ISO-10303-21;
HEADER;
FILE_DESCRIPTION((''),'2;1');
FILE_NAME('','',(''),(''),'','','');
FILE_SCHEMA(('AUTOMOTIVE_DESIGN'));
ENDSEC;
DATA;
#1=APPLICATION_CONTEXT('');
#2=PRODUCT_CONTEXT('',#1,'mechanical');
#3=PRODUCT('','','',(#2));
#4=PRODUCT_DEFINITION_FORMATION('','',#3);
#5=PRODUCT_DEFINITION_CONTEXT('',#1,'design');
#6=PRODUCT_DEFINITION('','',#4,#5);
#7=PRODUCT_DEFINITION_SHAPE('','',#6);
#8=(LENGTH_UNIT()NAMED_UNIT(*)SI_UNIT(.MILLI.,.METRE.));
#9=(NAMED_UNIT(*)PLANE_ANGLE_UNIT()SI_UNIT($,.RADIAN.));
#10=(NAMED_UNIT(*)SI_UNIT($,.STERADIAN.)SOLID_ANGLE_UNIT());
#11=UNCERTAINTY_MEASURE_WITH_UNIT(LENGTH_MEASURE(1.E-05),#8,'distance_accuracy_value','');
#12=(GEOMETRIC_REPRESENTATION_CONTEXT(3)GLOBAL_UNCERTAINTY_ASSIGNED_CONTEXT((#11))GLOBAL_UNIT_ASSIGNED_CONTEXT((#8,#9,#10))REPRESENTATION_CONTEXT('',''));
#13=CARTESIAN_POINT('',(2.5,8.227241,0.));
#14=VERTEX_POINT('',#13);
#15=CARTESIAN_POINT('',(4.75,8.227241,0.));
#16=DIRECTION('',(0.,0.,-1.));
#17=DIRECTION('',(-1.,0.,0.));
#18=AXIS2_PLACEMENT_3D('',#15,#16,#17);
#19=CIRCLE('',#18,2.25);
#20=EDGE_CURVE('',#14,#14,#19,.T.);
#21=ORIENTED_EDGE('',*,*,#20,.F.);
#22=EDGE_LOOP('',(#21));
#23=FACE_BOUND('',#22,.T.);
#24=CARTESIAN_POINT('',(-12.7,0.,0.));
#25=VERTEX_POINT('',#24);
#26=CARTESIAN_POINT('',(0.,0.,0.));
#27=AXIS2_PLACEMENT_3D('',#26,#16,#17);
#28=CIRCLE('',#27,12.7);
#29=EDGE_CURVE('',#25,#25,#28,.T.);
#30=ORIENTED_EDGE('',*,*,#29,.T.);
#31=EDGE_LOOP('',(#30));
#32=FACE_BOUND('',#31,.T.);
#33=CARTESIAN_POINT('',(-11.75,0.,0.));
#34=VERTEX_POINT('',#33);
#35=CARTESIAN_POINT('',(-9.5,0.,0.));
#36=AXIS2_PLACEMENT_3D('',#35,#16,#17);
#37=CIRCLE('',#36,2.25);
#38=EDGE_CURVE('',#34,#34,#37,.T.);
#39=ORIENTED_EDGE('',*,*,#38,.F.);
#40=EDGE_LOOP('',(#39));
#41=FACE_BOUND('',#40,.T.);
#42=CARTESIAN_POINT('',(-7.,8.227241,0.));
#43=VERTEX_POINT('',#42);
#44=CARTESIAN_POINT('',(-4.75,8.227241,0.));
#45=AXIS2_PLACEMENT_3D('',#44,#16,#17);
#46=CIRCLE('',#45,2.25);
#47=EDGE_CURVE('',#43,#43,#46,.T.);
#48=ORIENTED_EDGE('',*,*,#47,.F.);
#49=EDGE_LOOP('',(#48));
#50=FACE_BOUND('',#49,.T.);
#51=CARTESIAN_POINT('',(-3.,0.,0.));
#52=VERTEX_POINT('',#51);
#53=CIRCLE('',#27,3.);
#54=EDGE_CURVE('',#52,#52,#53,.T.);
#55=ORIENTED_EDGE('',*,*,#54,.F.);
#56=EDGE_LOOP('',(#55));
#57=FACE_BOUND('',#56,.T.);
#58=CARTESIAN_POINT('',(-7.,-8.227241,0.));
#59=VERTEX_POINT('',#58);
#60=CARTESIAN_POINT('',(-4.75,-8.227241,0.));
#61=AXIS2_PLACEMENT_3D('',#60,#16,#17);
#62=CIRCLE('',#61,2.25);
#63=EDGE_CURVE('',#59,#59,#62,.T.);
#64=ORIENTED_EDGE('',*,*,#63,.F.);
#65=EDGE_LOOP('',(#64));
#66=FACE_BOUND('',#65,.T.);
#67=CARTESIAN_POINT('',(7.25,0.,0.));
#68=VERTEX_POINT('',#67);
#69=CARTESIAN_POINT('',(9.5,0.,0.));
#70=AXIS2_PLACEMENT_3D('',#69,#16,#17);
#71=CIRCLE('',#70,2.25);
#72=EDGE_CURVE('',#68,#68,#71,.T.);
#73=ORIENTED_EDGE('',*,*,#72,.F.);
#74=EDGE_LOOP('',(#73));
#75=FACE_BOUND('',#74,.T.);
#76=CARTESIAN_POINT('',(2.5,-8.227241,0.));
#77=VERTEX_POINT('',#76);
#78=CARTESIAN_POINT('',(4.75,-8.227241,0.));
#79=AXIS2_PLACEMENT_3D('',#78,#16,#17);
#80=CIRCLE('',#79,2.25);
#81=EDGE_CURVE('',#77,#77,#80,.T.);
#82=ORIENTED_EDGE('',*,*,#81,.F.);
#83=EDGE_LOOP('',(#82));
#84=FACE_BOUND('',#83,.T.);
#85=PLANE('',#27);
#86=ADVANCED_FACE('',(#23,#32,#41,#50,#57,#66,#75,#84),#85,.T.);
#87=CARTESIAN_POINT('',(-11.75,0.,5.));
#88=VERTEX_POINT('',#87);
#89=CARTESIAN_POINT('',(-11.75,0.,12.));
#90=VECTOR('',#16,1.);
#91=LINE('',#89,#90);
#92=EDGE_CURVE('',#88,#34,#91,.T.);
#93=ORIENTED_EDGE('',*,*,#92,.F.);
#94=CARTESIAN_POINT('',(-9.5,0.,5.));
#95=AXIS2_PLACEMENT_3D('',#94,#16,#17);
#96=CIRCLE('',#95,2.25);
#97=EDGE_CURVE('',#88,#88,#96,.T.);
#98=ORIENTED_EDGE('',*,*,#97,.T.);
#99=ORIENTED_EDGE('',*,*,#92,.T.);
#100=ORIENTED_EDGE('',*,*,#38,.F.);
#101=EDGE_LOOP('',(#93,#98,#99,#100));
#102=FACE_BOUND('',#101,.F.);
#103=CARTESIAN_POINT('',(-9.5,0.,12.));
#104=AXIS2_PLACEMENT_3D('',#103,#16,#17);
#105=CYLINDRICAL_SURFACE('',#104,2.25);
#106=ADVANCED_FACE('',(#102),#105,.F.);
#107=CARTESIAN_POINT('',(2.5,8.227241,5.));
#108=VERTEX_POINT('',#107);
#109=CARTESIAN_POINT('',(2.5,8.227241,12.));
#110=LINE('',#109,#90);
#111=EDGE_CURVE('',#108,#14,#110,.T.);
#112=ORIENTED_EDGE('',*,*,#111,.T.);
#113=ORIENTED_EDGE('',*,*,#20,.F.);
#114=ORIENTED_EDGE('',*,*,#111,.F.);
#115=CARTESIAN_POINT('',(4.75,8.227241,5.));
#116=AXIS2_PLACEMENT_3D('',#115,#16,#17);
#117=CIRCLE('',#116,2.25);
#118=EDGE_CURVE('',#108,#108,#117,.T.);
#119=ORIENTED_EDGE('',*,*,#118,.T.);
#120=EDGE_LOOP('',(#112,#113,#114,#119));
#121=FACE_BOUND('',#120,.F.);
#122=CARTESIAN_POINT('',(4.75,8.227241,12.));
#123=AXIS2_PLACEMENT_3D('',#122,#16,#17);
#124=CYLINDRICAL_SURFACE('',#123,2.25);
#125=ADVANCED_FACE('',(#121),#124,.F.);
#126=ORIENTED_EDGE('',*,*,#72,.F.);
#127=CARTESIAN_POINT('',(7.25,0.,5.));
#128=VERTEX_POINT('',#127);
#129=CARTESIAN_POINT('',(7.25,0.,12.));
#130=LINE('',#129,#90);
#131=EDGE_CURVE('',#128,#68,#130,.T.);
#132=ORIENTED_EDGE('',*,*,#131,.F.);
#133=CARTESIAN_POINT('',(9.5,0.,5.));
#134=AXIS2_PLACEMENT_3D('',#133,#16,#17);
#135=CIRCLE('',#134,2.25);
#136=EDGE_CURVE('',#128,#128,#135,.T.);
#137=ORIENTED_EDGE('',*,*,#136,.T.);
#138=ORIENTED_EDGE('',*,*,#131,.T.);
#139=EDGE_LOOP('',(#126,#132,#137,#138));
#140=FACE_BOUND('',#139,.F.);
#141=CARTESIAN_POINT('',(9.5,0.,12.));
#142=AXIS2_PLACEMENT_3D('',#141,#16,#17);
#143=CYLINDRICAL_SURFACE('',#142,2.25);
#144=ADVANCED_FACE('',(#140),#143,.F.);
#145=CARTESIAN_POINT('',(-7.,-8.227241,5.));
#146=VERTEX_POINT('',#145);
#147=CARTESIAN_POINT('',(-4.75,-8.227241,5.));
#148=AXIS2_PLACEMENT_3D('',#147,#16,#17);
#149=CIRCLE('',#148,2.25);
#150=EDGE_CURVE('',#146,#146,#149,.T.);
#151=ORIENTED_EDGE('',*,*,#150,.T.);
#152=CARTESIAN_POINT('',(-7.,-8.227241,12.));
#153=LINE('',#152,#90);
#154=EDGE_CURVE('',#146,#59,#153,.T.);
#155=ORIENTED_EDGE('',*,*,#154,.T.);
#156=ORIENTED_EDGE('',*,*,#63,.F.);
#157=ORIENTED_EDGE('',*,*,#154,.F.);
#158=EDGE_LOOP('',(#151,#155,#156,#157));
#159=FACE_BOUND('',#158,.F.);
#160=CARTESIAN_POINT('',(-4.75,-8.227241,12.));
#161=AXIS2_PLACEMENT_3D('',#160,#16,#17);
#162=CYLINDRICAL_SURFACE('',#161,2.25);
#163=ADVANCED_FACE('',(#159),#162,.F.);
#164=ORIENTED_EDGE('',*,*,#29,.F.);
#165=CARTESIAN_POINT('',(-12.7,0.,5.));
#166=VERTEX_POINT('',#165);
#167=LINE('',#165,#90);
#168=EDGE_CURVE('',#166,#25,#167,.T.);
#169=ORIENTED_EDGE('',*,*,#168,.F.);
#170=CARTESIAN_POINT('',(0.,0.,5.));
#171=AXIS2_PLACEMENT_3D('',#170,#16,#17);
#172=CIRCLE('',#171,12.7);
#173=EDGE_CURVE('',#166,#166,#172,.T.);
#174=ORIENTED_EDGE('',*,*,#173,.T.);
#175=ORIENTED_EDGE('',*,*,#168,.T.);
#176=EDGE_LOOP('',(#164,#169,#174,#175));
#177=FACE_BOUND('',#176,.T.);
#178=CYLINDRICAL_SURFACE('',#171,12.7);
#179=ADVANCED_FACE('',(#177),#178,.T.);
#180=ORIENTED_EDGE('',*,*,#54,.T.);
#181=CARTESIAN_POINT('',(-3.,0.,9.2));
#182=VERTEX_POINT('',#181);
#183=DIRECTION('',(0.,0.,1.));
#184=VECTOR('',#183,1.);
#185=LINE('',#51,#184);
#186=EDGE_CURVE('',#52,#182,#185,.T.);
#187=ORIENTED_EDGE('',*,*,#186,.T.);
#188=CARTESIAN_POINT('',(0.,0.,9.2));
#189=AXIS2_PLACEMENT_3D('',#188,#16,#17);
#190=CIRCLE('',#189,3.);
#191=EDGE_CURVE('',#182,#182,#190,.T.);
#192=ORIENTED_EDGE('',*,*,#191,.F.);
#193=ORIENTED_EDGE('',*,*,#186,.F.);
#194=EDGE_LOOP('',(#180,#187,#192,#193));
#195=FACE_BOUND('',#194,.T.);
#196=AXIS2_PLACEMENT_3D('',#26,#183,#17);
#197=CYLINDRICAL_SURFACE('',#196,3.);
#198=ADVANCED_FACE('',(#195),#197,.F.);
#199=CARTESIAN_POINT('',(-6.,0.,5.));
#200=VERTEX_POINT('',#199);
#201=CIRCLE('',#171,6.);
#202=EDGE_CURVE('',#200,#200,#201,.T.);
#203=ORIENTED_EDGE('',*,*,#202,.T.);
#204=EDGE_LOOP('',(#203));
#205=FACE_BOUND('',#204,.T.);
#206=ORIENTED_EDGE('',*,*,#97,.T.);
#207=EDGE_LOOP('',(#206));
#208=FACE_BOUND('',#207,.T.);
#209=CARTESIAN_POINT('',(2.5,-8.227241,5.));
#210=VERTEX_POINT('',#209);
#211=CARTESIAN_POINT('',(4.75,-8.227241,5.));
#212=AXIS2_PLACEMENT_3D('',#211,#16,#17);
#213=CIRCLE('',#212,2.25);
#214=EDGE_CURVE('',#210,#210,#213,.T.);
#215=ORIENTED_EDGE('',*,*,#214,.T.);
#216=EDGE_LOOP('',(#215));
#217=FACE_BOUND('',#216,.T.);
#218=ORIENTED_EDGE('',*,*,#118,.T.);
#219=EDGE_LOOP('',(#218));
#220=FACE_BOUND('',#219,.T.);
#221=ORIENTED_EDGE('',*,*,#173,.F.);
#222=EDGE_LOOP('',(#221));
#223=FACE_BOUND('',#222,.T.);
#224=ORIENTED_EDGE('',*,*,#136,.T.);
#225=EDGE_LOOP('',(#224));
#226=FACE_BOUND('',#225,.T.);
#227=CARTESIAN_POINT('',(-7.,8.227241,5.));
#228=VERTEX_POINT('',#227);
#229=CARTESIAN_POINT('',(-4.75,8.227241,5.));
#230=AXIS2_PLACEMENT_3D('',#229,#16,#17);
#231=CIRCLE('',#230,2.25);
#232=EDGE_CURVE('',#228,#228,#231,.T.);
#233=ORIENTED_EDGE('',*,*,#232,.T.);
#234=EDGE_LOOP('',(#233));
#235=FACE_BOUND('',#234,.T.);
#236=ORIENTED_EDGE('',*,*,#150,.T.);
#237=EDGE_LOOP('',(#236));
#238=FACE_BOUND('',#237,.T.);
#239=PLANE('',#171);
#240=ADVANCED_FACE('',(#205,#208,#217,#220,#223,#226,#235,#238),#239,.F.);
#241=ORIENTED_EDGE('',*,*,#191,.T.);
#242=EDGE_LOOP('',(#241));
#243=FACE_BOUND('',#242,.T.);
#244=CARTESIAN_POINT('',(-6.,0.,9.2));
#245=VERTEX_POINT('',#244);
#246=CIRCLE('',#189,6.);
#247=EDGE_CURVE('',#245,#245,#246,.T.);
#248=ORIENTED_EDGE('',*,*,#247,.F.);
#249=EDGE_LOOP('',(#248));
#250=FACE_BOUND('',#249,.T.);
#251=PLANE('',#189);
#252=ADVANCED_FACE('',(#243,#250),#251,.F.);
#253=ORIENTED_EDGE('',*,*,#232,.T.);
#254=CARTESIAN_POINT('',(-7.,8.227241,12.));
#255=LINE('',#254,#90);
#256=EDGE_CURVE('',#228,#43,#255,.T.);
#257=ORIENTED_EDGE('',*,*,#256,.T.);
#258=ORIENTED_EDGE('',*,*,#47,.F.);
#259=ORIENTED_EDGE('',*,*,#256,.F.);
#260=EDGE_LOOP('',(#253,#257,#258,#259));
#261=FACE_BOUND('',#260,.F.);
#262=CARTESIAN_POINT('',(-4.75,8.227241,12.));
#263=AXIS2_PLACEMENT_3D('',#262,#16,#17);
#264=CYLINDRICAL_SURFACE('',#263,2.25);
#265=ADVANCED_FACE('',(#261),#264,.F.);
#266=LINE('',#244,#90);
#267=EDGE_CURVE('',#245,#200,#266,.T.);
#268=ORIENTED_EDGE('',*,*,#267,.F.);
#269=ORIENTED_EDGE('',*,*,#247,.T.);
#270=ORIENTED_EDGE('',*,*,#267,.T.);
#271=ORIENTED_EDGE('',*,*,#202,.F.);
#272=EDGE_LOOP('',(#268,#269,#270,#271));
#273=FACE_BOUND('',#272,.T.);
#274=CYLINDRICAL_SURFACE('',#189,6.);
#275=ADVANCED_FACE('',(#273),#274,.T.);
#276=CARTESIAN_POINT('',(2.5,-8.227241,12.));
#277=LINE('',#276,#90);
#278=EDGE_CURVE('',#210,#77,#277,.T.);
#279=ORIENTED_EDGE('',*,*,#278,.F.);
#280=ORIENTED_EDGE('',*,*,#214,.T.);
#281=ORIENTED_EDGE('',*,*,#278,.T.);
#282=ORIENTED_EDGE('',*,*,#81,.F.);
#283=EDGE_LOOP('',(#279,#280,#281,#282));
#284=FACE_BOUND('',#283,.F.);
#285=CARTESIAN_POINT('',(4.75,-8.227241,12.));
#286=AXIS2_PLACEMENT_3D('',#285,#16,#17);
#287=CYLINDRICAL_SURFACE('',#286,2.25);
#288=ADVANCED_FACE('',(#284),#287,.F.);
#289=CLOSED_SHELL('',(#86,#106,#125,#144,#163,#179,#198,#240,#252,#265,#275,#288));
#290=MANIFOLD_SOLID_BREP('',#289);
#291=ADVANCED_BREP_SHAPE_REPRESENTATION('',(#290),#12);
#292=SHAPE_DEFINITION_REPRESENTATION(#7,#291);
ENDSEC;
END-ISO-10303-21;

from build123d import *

# Parameters (mm, degrees)
F3_D     = 4.5
F3_DEPTH = 7
F3_TIP   = 1.3519363928


with BuildPart() as f1:
    # F0 (on Front) → F1 (revolve)
    with BuildSketch(Plane.XZ):
        Polygon((-12.7, 0), (-3, 0), (-3, 9.2), (-6, 9.2), (-6, 5), (-12.7, 5), align=None)
    revolve(axis=Axis((0, 0, 4.6), (0, 0, -1)))

    # F3
    with Locations(Plane.XY.offset(5)):
        with Locations((-4.75, 8.227241336), (-9.5, 0), (-4.75, -8.227241336), (4.75, -8.227241336), (9.5, 0), (4.75, 8.227241336)):
            Hole(F3_D / 2, depth=F3_DEPTH)
            with Locations((0, 0, -(F3_DEPTH + F3_TIP / 2))):  # 118° drill point
                Cone(0, F3_D / 2, F3_TIP, mode=Mode.SUBTRACT)


solid = f1.part
